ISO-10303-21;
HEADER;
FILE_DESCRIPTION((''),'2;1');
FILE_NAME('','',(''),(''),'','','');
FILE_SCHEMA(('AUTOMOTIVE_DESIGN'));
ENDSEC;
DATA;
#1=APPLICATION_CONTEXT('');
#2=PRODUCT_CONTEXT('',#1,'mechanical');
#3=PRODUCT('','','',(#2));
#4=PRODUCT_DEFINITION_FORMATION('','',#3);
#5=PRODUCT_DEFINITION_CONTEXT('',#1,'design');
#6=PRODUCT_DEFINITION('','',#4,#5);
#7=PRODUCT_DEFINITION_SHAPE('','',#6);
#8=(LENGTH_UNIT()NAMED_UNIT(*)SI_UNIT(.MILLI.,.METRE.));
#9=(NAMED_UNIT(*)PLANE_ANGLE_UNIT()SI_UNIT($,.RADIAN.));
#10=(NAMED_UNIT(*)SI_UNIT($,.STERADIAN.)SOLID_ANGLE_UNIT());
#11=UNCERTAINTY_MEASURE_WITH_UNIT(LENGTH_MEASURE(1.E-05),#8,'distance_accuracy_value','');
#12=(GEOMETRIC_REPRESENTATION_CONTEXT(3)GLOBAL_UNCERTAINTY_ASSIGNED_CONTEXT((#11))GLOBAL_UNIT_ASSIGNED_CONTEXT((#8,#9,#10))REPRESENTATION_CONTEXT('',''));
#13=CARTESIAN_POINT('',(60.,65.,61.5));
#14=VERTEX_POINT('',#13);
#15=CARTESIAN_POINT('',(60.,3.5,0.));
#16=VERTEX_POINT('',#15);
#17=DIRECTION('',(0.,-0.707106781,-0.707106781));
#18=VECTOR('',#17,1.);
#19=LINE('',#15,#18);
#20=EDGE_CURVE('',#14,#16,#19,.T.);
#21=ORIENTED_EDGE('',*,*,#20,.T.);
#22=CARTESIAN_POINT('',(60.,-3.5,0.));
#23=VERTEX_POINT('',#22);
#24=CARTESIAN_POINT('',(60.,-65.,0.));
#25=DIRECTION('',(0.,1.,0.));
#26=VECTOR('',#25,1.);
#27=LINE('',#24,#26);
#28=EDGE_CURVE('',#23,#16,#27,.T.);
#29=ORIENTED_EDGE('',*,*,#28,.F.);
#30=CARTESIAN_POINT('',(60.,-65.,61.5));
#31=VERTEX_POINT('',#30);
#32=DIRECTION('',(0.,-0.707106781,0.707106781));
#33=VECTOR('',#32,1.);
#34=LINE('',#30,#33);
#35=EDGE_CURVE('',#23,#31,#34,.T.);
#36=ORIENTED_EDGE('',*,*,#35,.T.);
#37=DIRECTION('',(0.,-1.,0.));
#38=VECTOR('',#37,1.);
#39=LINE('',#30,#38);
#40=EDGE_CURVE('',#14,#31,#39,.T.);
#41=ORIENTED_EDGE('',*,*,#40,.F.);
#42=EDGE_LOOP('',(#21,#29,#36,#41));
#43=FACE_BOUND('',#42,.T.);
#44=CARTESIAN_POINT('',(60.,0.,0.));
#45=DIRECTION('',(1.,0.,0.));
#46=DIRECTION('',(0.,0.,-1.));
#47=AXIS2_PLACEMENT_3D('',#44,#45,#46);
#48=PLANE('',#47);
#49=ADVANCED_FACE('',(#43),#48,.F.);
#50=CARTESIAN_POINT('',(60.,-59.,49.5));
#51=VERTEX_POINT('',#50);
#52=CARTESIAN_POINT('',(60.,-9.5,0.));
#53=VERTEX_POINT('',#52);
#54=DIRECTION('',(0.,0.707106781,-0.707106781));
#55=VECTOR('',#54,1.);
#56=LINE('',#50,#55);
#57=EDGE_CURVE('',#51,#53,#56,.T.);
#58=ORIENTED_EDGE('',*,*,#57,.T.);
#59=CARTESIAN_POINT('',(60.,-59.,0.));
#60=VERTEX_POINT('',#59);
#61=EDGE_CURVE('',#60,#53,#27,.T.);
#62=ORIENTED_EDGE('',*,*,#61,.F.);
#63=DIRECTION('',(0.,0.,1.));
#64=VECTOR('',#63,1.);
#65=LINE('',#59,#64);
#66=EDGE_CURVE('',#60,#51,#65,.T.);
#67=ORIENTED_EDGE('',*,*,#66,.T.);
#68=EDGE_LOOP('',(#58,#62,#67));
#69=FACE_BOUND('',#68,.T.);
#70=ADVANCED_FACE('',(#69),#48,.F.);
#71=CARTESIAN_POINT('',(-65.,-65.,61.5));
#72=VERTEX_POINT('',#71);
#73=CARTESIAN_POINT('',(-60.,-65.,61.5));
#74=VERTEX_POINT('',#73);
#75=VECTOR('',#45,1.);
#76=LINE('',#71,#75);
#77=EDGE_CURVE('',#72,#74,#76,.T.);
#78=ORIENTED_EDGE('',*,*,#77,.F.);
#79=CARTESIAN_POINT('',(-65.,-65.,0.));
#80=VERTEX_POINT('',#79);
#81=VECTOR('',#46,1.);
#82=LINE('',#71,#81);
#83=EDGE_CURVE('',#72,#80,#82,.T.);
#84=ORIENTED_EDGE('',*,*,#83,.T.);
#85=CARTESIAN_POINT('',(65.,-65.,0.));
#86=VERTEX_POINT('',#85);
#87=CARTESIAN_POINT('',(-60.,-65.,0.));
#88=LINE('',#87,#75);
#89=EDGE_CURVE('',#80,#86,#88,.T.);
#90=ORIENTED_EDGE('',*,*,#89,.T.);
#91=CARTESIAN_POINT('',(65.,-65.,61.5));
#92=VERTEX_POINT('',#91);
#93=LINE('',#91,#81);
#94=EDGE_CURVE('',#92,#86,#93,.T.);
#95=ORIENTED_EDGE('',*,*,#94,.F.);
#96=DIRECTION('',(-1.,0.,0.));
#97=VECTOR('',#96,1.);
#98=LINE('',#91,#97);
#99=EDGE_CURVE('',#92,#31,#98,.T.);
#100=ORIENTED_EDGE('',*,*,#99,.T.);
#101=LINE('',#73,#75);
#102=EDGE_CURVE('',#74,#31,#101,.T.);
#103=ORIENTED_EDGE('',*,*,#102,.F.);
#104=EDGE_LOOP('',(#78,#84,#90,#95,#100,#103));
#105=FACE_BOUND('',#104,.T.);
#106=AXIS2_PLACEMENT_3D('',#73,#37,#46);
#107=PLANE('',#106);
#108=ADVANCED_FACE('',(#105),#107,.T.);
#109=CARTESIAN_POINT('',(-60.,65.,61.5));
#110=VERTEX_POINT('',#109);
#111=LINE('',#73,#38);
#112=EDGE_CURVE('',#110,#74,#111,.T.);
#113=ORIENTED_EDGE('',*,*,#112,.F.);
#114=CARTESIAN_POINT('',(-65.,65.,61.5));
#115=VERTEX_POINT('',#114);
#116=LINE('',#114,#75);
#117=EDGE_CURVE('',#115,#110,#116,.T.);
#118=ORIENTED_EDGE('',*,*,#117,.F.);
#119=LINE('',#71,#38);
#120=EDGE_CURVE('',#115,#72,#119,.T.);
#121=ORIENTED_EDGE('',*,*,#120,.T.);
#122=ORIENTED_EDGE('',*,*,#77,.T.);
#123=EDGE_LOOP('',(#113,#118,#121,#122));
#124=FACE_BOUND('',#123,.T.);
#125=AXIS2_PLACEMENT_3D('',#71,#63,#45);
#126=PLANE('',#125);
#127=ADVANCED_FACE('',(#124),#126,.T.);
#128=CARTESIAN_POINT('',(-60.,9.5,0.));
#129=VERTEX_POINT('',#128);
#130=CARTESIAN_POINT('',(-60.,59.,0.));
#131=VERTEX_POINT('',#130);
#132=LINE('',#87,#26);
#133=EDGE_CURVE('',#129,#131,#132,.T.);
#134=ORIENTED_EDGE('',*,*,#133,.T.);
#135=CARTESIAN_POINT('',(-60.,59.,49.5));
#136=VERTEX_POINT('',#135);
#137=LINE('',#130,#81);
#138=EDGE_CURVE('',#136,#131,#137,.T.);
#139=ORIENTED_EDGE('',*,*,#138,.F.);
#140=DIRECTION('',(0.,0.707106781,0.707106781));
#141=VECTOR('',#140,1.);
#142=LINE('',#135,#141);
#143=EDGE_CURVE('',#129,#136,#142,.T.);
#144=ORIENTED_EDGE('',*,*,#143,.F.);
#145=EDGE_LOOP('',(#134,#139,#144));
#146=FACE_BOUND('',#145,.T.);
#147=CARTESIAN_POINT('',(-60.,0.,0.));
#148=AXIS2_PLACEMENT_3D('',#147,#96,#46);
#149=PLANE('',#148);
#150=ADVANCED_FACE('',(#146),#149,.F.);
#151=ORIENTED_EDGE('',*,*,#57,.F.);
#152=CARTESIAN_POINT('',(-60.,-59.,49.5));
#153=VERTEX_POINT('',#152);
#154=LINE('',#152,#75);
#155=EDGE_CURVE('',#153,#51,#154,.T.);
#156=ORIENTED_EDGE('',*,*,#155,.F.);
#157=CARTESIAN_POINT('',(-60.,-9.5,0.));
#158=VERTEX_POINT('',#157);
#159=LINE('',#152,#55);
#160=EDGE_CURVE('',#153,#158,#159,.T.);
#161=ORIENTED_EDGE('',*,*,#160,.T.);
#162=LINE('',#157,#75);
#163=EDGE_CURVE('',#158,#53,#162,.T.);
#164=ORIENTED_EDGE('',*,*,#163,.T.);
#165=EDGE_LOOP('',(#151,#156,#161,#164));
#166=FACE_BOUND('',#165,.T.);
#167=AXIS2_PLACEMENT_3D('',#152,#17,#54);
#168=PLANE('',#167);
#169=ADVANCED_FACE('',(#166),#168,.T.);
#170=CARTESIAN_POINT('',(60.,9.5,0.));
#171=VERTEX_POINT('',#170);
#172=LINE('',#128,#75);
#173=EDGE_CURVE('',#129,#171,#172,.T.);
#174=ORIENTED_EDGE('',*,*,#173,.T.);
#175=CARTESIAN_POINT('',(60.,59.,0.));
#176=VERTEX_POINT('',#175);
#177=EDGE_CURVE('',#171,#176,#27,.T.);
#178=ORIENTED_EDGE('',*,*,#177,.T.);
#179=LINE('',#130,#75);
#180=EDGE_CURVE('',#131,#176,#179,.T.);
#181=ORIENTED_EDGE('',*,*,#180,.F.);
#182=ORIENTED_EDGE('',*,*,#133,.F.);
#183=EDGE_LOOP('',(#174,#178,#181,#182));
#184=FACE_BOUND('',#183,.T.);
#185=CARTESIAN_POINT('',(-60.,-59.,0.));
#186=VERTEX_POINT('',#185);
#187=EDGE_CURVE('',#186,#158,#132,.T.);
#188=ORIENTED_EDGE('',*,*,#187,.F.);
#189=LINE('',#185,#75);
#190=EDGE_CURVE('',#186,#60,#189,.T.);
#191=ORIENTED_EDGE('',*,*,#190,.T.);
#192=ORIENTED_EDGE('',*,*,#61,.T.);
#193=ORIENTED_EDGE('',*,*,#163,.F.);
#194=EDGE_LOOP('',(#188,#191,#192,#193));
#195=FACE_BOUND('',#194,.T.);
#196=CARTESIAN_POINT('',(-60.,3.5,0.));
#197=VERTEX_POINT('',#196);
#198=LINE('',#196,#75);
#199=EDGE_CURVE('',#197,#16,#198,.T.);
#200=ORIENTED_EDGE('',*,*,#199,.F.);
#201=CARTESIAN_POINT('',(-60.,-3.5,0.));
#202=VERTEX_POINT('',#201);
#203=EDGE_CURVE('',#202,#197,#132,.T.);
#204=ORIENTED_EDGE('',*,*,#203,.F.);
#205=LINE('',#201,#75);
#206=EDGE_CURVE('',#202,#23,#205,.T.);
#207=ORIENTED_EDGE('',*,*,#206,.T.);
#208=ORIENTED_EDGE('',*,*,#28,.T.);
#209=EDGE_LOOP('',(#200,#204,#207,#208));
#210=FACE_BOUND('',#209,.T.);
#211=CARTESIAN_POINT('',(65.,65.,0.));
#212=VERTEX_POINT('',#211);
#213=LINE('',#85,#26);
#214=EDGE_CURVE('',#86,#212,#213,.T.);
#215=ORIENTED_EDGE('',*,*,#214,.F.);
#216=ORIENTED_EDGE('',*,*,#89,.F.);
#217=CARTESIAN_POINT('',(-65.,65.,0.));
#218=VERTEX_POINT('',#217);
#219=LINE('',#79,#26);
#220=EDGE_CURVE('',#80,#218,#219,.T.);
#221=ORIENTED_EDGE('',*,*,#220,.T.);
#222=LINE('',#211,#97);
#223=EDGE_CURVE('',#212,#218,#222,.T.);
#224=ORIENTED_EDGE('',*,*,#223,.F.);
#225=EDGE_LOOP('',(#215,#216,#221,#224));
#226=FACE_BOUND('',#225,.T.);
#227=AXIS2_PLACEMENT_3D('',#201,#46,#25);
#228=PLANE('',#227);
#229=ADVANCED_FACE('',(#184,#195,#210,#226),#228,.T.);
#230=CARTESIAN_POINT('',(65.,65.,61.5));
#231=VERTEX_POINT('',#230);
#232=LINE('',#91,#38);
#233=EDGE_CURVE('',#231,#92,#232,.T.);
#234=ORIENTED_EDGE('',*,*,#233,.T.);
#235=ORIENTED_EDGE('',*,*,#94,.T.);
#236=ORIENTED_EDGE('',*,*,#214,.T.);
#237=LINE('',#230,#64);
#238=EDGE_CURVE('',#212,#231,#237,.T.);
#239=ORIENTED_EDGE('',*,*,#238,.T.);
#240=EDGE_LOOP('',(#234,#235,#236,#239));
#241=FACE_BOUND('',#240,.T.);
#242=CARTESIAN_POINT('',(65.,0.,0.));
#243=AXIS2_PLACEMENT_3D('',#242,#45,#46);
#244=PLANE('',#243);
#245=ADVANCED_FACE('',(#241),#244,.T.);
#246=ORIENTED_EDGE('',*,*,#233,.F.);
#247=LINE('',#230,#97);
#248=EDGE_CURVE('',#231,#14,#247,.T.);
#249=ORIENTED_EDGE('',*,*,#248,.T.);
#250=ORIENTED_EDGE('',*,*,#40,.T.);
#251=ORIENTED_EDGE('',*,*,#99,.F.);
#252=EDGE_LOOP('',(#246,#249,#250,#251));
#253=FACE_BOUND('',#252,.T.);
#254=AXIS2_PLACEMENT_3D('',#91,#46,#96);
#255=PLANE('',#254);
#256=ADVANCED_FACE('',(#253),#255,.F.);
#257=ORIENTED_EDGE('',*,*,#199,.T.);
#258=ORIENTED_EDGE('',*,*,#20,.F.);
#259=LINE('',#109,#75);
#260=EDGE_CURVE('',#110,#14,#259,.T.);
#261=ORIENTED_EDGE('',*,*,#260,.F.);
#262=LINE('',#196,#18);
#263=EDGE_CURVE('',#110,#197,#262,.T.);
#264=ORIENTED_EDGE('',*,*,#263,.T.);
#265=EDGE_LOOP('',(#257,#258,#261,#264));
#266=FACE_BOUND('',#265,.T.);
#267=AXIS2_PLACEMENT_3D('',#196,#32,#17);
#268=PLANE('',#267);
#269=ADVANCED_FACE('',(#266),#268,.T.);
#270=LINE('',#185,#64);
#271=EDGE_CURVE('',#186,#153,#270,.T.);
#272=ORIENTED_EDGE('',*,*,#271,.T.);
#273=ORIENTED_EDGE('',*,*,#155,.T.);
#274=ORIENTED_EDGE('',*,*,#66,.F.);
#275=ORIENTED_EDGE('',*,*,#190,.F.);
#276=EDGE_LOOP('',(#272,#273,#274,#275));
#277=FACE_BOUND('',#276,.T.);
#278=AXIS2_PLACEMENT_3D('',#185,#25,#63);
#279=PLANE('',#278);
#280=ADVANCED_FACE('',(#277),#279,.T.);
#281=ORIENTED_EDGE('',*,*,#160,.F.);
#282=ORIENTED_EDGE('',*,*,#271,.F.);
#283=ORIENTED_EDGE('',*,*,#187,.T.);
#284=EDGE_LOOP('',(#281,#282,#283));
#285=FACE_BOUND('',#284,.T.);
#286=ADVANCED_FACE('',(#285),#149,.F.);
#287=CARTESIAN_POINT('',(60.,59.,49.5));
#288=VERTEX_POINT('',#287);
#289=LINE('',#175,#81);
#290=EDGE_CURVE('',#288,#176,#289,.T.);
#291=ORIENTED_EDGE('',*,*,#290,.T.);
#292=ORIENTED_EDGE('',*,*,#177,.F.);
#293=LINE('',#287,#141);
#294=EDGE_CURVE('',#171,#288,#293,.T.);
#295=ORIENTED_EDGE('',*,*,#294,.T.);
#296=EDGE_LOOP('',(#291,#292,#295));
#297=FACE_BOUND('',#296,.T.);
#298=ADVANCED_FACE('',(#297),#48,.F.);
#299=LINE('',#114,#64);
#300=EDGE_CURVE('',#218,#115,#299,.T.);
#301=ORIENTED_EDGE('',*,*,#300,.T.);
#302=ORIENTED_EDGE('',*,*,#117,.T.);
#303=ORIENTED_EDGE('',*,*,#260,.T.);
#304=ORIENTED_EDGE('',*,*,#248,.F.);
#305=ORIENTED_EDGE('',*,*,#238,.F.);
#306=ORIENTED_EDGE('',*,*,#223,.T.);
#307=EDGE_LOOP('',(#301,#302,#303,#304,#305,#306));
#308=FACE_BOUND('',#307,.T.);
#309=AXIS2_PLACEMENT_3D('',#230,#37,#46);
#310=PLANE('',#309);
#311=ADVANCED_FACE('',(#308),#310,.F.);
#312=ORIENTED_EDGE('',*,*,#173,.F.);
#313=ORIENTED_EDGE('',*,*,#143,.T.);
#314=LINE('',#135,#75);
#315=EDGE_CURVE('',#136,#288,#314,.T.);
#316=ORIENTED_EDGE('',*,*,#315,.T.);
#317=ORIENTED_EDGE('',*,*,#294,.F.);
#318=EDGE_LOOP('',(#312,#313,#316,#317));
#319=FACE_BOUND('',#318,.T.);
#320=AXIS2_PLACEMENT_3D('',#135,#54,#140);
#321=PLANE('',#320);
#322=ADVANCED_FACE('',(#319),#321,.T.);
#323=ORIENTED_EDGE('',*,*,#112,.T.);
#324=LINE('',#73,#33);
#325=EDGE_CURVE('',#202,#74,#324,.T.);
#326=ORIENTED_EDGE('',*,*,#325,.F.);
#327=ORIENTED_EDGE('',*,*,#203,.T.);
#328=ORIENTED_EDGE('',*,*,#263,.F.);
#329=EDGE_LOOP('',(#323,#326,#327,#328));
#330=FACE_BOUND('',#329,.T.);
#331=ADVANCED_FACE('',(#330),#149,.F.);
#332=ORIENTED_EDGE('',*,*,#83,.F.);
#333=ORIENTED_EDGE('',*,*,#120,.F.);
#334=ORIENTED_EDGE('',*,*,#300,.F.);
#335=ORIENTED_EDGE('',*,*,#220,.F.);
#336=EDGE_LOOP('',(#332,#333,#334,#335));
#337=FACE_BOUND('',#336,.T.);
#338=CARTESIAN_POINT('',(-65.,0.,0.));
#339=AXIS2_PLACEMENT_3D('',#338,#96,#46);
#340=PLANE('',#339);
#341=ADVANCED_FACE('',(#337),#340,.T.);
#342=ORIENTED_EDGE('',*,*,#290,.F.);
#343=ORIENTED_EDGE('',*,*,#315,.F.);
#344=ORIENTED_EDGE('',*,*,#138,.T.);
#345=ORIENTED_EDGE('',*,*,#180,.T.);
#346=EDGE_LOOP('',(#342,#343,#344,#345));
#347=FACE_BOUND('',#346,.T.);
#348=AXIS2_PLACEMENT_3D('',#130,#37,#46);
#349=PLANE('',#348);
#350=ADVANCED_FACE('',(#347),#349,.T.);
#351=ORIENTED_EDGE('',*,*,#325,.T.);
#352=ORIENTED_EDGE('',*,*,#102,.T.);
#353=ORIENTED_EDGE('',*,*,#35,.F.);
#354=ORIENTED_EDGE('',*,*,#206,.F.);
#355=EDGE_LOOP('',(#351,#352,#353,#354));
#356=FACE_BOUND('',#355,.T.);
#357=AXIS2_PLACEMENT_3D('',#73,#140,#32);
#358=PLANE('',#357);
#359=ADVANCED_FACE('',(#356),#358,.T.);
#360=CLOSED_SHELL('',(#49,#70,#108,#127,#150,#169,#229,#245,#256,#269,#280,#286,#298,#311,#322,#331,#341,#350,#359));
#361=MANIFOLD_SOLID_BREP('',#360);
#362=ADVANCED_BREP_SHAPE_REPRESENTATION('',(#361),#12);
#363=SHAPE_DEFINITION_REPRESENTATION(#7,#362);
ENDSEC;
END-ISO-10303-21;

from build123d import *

# Parameters (mm, degrees)
BOSS_EXTRUDE1_DEPTH        = 60
BOSS_EXTRUDE1_DEPTH_BACK   = 60
BOSS_EXTRUDE1_2_DEPTH      = 60
BOSS_EXTRUDE1_2_DEPTH_BACK = 60
SKETCH2_W                  = 130
SKETCH2_H                  = 61.5
BOSS_EXTRUDE2_DEPTH        = 5


with BuildPart() as part:
    # Sketch1 → Boss-Extrude1 (new, two sides: drawn at the far end of the back side and taken through both)
    with BuildSketch(Plane.YZ.offset(-BOSS_EXTRUDE1_DEPTH_BACK)):
        Polygon((3.5, 0), (65, 61.5), (65, 0), (59, 0), (59, 49.5), (9.5, 0), align=None)
    extrude(amount=BOSS_EXTRUDE1_DEPTH + BOSS_EXTRUDE1_DEPTH_BACK)



with BuildPart() as body_2:
    # Sketch1 → Boss-Extrude1 2 (new, two sides: drawn at the far end of the back side and taken through both)
    with BuildSketch(Plane.YZ.offset(-BOSS_EXTRUDE1_2_DEPTH_BACK)):
        Polygon((-65, 61.5), (-3.5, 0), (-9.5, 0), (-59, 49.5), (-59, 0), (-65, 0), align=None)
    extrude(amount=BOSS_EXTRUDE1_2_DEPTH + BOSS_EXTRUDE1_2_DEPTH_BACK)


with BuildPart() as part_1:
    add(part.part)

    add(body_2.part)  # Boss-Extrude2 merges body 2
    # Sketch2 → Boss-Extrude2 (add)
    with BuildSketch(Plane.YZ.offset(60)):
        with Locations((0, 30.75)):
            Rectangle(SKETCH2_W, SKETCH2_H)
    boss_extrude2 = extrude(amount=BOSS_EXTRUDE2_DEPTH)

    # Mirror1: Boss-Extrude2 across plane
    add(boss_extrude2.mirror(Plane(origin=(0, 0, 0), x_dir=(0, 0, 1), z_dir=(1, 0, 0))))


solid = part_1.part
